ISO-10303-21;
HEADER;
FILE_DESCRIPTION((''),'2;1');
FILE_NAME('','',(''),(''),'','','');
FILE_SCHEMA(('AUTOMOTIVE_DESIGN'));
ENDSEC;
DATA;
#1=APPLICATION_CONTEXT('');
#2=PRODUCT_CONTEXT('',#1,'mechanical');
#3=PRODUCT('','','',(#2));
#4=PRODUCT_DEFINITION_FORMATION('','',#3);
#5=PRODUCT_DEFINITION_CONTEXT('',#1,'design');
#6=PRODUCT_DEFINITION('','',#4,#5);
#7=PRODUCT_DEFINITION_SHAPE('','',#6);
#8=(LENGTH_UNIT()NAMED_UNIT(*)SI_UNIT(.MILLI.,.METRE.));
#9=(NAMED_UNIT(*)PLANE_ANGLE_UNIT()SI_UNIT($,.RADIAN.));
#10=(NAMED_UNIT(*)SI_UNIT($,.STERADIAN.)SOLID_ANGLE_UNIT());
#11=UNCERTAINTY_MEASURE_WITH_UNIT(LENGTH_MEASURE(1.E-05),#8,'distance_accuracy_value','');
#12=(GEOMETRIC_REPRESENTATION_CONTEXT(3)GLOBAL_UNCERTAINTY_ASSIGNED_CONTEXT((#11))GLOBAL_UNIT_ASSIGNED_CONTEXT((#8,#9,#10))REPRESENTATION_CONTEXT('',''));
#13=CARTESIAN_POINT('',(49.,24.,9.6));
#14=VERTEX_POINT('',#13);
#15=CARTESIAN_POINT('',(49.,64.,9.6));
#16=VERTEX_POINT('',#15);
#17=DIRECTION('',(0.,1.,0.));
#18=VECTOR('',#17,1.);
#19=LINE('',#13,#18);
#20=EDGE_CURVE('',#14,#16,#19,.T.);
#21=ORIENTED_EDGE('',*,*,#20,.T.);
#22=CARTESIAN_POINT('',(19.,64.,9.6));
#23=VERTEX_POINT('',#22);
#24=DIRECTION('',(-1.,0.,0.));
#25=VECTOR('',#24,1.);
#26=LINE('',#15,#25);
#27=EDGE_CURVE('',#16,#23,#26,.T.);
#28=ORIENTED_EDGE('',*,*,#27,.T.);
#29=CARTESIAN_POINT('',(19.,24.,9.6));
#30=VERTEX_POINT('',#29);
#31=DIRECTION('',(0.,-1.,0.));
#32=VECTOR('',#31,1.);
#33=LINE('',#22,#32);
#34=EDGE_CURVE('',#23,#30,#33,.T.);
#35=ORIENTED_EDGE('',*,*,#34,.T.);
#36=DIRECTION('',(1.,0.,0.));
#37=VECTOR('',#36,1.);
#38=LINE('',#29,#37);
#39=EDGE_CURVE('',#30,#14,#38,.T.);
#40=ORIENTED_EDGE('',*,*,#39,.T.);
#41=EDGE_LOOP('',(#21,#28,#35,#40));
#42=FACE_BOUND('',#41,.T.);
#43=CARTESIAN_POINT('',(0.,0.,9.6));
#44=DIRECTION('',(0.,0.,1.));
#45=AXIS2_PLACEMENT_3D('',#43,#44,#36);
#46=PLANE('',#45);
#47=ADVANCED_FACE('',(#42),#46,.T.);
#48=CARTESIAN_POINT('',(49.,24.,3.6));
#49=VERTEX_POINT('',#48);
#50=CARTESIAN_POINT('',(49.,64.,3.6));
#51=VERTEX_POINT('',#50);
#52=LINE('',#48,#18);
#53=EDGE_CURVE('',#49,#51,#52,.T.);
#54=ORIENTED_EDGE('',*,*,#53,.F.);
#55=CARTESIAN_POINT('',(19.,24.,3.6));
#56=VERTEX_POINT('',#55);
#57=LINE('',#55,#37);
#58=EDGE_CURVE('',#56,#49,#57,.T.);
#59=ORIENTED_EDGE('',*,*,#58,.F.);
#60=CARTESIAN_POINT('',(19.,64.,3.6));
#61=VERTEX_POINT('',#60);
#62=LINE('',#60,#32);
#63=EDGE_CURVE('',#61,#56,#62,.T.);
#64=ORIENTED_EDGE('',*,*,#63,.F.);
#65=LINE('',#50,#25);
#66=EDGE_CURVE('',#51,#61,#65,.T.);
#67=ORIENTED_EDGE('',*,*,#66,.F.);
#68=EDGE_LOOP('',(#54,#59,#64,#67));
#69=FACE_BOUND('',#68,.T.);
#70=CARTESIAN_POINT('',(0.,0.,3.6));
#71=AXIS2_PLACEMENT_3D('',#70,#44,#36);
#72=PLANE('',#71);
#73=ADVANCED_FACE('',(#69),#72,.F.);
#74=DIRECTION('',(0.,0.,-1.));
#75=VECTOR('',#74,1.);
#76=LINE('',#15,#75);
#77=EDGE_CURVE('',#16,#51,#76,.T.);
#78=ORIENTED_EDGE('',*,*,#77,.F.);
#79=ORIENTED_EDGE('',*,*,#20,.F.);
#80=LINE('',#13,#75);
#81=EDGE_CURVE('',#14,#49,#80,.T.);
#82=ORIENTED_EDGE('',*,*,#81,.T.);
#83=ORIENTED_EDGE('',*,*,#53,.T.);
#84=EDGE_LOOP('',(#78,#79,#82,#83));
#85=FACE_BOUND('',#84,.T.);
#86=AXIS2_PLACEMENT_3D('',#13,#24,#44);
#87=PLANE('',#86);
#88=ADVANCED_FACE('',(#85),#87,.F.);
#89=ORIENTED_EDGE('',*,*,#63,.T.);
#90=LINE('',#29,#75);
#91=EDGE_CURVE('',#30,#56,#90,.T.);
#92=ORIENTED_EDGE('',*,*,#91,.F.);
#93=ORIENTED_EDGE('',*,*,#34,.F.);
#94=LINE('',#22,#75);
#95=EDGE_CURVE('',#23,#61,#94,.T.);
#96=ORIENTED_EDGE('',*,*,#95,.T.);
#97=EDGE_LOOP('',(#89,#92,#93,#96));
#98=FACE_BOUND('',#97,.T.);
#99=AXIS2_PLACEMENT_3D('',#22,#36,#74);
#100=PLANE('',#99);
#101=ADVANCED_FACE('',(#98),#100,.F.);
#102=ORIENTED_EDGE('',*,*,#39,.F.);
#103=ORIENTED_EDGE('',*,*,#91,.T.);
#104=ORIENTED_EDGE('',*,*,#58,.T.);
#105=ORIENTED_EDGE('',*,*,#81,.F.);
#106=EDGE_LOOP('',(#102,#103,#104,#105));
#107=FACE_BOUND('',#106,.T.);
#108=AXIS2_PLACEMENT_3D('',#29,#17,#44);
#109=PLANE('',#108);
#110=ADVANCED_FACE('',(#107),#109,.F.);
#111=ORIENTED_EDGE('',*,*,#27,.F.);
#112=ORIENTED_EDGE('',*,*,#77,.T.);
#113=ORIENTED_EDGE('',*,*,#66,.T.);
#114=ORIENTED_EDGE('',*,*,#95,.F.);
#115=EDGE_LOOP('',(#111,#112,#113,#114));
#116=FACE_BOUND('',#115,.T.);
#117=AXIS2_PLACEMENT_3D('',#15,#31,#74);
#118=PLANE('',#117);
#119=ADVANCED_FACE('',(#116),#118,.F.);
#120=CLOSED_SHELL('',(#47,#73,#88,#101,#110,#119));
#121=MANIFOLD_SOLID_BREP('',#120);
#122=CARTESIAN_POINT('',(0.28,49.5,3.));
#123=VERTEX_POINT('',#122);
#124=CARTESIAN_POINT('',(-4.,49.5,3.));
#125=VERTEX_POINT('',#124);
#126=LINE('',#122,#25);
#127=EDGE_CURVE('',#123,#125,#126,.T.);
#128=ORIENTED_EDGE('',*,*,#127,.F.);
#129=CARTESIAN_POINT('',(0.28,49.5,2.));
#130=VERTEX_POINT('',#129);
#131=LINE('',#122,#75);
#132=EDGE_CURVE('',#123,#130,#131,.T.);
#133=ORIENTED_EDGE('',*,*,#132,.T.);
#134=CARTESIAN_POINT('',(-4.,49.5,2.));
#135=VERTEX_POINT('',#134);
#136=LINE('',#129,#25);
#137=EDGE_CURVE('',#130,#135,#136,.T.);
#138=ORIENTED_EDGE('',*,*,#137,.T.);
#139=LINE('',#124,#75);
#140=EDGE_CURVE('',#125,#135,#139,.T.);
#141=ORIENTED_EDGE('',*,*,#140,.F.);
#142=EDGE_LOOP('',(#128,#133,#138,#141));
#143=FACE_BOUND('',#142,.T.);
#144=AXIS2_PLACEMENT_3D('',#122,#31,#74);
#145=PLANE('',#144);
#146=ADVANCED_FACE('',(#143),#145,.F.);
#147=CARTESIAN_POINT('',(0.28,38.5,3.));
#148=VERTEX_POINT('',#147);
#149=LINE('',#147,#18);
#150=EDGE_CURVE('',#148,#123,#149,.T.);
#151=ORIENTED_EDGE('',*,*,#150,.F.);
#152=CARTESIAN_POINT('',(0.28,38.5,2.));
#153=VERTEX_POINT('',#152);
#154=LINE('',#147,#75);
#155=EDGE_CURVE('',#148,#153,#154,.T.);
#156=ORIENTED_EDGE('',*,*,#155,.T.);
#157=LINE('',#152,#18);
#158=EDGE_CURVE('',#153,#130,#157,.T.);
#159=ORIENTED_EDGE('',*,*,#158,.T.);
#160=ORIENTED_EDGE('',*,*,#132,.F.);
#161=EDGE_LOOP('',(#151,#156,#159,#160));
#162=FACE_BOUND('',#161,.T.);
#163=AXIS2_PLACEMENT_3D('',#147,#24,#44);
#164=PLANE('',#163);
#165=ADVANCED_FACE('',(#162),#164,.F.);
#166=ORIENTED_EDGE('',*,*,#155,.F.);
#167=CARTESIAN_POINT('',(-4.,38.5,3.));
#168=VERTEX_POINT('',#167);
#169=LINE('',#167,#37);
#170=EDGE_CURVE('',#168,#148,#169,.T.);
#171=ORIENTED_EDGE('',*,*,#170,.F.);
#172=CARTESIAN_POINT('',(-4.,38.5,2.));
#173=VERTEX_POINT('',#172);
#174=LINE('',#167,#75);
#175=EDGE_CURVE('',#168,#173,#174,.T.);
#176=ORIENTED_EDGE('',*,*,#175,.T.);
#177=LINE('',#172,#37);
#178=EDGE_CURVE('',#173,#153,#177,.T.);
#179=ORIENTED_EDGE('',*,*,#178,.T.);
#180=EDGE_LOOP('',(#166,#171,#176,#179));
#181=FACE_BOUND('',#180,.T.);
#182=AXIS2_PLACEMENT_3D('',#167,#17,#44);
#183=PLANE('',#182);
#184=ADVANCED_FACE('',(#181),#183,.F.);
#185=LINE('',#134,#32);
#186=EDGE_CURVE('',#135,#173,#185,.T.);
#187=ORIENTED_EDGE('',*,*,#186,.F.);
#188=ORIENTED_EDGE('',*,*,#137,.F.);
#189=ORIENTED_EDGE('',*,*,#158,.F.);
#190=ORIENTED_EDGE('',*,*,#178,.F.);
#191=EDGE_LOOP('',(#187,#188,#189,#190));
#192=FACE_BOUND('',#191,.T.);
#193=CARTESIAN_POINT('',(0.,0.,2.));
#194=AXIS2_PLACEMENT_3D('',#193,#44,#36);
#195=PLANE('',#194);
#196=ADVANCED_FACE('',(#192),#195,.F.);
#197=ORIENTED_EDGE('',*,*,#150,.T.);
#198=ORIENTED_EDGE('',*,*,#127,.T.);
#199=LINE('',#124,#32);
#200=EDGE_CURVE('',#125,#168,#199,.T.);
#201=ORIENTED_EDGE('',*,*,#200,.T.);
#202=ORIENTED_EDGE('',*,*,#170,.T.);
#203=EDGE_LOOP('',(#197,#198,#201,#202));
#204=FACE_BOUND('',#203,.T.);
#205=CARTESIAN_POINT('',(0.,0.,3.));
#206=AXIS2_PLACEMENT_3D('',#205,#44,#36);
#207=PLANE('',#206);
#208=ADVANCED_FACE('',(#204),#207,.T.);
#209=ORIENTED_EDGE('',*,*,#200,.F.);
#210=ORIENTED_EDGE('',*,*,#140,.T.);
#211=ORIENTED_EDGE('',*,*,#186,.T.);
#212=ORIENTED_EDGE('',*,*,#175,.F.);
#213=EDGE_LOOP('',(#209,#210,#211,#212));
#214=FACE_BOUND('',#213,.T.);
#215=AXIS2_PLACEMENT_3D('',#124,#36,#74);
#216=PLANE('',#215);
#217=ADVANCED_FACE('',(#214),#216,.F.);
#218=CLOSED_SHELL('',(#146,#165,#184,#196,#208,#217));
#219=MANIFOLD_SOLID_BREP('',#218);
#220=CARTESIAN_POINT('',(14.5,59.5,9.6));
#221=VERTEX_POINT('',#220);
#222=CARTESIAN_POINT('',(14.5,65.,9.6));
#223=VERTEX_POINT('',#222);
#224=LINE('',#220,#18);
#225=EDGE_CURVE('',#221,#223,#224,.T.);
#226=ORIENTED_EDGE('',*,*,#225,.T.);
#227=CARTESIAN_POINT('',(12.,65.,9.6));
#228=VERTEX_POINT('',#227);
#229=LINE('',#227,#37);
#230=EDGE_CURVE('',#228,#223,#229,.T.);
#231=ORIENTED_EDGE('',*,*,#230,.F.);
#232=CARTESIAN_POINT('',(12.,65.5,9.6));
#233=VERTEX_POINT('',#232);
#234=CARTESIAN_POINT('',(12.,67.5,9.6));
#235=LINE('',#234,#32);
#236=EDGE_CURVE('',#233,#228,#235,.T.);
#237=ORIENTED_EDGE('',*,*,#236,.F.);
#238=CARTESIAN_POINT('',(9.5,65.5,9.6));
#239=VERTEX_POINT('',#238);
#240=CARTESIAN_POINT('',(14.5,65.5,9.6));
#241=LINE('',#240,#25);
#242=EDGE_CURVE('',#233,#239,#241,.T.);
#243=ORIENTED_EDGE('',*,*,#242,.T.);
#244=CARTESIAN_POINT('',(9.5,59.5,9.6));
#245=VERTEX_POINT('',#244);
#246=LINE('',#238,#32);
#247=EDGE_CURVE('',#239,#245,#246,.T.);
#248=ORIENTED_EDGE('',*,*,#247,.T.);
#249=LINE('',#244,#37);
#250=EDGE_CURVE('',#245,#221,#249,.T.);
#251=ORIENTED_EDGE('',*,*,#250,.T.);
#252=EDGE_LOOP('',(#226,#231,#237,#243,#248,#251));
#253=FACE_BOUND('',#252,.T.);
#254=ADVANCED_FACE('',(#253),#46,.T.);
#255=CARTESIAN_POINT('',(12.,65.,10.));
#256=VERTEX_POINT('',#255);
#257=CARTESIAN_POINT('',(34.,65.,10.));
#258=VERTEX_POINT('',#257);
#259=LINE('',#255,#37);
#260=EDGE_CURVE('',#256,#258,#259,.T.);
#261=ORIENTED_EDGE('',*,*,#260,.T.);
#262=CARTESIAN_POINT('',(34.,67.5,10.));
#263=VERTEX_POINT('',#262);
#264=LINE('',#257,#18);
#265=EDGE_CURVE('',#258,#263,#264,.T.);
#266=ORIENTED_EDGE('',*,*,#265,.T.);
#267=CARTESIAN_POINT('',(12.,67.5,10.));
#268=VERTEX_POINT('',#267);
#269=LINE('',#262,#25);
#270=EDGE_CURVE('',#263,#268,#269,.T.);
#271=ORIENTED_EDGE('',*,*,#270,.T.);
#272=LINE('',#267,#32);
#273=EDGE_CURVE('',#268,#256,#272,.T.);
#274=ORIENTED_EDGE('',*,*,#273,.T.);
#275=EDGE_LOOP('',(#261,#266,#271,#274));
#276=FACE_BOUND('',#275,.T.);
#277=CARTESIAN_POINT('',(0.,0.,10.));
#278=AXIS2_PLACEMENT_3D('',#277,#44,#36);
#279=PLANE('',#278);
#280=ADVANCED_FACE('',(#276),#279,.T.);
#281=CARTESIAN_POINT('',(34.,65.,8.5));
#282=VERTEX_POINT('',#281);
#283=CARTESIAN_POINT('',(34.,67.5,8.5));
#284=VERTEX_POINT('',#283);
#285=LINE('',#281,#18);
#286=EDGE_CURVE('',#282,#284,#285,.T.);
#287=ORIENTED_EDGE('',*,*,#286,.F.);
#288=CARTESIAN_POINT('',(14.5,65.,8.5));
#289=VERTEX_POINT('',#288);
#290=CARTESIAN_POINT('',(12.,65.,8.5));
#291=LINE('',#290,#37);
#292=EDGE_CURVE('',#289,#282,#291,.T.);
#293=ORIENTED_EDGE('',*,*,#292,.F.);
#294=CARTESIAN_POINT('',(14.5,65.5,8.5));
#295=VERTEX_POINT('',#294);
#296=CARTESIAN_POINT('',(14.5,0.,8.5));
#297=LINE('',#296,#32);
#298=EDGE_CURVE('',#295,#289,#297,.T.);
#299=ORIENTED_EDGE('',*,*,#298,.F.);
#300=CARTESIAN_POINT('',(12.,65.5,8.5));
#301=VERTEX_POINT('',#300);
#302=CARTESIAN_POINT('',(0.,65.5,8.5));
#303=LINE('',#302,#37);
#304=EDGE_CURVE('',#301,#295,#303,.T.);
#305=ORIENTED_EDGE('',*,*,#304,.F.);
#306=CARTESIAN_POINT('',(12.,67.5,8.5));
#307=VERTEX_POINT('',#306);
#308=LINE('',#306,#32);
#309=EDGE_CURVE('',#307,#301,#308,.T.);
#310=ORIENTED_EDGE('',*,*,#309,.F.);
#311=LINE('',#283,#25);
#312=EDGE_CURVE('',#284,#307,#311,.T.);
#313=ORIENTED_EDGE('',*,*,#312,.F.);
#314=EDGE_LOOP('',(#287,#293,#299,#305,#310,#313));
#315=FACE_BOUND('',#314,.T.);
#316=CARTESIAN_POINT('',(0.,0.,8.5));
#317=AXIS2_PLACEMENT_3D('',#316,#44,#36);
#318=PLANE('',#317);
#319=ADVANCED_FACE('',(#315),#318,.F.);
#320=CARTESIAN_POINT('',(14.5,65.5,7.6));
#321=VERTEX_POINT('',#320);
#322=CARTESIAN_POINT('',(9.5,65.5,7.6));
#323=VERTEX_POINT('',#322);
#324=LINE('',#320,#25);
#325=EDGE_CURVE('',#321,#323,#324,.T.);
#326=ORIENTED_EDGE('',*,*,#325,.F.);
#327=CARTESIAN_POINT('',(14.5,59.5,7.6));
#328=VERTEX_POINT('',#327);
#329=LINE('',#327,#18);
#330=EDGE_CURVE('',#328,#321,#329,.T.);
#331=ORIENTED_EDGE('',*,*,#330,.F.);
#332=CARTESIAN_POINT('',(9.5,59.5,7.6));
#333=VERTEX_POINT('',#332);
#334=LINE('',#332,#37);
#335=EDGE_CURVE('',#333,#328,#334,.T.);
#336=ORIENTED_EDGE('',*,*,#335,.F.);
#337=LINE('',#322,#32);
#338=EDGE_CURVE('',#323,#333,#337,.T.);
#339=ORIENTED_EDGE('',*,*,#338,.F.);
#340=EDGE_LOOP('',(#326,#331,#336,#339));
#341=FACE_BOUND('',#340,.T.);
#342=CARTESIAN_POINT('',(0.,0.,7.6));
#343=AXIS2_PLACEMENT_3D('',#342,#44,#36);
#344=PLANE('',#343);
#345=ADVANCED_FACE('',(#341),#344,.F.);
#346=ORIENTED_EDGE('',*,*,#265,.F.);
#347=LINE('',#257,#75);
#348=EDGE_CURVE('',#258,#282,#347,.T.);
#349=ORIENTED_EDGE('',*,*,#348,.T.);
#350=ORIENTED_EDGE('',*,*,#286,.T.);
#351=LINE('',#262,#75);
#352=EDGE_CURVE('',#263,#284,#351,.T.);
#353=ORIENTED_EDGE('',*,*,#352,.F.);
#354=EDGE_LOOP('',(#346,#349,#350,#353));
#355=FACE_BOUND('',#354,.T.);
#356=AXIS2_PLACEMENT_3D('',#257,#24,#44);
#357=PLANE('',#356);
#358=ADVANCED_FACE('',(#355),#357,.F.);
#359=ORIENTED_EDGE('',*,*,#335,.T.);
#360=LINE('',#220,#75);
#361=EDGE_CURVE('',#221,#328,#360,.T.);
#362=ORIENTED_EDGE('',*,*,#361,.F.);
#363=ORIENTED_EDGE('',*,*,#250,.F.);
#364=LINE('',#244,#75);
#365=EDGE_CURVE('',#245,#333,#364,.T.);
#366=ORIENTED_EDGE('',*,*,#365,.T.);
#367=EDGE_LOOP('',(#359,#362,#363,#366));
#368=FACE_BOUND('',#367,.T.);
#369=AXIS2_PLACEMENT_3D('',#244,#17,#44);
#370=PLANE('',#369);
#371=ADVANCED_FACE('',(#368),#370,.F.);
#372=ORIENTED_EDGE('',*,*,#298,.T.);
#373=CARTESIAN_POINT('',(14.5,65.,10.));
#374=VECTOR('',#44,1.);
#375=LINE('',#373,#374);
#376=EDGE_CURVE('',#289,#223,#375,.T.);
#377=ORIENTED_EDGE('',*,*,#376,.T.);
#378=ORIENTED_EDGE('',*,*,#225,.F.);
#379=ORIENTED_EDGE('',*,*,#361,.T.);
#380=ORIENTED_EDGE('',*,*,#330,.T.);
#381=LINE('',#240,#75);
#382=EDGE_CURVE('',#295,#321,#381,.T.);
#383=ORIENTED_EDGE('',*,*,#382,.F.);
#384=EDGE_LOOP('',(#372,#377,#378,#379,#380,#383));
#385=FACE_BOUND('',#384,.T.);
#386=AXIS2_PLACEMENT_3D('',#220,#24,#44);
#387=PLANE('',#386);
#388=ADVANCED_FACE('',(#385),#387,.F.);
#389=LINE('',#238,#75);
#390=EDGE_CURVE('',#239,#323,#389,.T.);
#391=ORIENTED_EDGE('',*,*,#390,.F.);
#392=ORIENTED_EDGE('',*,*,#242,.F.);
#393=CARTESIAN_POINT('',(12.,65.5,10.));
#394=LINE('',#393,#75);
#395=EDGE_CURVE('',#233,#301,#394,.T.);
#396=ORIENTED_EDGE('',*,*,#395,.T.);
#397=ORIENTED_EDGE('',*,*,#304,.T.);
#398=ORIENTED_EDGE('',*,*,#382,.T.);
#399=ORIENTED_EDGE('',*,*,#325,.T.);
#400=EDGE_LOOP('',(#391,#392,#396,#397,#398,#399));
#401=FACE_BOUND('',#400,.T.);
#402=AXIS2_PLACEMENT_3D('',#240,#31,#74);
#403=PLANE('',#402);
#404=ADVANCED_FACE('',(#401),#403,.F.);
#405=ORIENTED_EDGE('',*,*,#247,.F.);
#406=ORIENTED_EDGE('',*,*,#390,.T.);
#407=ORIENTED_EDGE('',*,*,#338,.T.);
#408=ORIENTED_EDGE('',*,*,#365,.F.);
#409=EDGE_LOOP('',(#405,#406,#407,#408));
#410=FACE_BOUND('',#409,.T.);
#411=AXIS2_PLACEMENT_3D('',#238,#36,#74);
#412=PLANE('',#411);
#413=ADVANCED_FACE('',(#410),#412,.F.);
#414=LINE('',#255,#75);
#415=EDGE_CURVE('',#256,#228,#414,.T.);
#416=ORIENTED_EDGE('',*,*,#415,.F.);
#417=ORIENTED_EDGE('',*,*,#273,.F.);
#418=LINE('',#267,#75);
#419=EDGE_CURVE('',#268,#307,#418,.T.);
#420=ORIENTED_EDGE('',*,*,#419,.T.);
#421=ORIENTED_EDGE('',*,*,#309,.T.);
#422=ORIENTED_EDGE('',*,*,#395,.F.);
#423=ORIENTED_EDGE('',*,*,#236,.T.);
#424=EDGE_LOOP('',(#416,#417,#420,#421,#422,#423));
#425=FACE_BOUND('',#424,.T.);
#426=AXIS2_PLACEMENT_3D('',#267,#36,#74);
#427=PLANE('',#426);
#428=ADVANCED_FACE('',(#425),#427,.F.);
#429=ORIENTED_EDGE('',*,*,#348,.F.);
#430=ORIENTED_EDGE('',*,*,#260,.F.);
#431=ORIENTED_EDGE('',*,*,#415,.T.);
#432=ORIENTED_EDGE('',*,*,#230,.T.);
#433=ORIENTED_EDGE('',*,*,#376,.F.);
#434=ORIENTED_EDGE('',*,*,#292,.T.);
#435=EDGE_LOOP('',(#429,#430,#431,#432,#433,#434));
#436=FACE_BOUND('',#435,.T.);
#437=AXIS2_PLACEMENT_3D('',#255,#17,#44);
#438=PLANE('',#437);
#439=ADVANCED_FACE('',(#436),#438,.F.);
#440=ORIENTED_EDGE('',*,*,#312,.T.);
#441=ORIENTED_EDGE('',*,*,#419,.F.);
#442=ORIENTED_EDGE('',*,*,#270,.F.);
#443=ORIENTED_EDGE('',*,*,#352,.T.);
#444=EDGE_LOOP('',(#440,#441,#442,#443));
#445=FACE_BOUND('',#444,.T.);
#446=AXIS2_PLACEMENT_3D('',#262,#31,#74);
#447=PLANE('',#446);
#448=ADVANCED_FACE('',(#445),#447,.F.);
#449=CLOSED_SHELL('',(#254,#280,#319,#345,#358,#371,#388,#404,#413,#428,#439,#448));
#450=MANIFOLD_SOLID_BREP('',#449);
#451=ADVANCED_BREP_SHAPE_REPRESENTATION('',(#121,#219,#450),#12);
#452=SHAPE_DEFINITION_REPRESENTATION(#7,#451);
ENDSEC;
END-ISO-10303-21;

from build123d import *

# Parameters (mm, degrees)
BATTERY_START                                 = 3.6
SKETCH_1_W                                    = 30
SKETCH_1_H                                    = 40
BATTERY_POUCH_DEPTH                           = 6
BATTERY_START_2                               = 8.5
SKETCH_2_W                                    = 22
SKETCH_2_H                                    = 2.5
BATTERY_LEADS_DEPTH                           = 1.5
JST_START                                     = 7.6
SKETCH_3_W                                    = 5
SKETCH_3_H                                    = 6
JST_PLUG_WIRE_EXIT_BELOW_J4_DEPTH             = 2
MICROSD_START                                 = 2
SKETCH_4_W                                    = 4.28
SKETCH_4_H                                    = 11
MICROSD_CARD_PART_OUTSIDE_THE_CONNECTOR_DEPTH = 1


with BuildPart() as part:
    # 草圖1 → battery pouch (new body)
    with BuildSketch(Plane.XY.offset(BATTERY_START)):
        with Locations((34, 44)):
            Rectangle(SKETCH_1_W, SKETCH_1_H)
    extrude(amount=BATTERY_POUCH_DEPTH)


with BuildPart() as body_2:
    # 草圖2 → battery leads (new body)
    with BuildSketch(Plane.XY.offset(BATTERY_START_2)):
        with Locations((23, 66.25)):
            Rectangle(SKETCH_2_W, SKETCH_2_H)
    extrude(amount=BATTERY_LEADS_DEPTH)

    # 草圖3 → JST plug wire exit below J4 (add)
    with BuildSketch(Plane.XY.offset(JST_START)):
        with Locations((12, 62.5)):
            Rectangle(SKETCH_3_W, SKETCH_3_H)
    extrude(amount=JST_PLUG_WIRE_EXIT_BELOW_J4_DEPTH)


with BuildPart() as body_3:
    # 草圖4 → microSD card, part outside the connector (new body)
    with BuildSketch(Plane.XY.offset(MICROSD_START)):
        with Locations((-1.86, 44)):
            Rectangle(SKETCH_4_W, SKETCH_4_H)
    extrude(amount=MICROSD_CARD_PART_OUTSIDE_THE_CONNECTOR_DEPTH)


solid = Compound([part.part, body_2.part, body_3.part])
